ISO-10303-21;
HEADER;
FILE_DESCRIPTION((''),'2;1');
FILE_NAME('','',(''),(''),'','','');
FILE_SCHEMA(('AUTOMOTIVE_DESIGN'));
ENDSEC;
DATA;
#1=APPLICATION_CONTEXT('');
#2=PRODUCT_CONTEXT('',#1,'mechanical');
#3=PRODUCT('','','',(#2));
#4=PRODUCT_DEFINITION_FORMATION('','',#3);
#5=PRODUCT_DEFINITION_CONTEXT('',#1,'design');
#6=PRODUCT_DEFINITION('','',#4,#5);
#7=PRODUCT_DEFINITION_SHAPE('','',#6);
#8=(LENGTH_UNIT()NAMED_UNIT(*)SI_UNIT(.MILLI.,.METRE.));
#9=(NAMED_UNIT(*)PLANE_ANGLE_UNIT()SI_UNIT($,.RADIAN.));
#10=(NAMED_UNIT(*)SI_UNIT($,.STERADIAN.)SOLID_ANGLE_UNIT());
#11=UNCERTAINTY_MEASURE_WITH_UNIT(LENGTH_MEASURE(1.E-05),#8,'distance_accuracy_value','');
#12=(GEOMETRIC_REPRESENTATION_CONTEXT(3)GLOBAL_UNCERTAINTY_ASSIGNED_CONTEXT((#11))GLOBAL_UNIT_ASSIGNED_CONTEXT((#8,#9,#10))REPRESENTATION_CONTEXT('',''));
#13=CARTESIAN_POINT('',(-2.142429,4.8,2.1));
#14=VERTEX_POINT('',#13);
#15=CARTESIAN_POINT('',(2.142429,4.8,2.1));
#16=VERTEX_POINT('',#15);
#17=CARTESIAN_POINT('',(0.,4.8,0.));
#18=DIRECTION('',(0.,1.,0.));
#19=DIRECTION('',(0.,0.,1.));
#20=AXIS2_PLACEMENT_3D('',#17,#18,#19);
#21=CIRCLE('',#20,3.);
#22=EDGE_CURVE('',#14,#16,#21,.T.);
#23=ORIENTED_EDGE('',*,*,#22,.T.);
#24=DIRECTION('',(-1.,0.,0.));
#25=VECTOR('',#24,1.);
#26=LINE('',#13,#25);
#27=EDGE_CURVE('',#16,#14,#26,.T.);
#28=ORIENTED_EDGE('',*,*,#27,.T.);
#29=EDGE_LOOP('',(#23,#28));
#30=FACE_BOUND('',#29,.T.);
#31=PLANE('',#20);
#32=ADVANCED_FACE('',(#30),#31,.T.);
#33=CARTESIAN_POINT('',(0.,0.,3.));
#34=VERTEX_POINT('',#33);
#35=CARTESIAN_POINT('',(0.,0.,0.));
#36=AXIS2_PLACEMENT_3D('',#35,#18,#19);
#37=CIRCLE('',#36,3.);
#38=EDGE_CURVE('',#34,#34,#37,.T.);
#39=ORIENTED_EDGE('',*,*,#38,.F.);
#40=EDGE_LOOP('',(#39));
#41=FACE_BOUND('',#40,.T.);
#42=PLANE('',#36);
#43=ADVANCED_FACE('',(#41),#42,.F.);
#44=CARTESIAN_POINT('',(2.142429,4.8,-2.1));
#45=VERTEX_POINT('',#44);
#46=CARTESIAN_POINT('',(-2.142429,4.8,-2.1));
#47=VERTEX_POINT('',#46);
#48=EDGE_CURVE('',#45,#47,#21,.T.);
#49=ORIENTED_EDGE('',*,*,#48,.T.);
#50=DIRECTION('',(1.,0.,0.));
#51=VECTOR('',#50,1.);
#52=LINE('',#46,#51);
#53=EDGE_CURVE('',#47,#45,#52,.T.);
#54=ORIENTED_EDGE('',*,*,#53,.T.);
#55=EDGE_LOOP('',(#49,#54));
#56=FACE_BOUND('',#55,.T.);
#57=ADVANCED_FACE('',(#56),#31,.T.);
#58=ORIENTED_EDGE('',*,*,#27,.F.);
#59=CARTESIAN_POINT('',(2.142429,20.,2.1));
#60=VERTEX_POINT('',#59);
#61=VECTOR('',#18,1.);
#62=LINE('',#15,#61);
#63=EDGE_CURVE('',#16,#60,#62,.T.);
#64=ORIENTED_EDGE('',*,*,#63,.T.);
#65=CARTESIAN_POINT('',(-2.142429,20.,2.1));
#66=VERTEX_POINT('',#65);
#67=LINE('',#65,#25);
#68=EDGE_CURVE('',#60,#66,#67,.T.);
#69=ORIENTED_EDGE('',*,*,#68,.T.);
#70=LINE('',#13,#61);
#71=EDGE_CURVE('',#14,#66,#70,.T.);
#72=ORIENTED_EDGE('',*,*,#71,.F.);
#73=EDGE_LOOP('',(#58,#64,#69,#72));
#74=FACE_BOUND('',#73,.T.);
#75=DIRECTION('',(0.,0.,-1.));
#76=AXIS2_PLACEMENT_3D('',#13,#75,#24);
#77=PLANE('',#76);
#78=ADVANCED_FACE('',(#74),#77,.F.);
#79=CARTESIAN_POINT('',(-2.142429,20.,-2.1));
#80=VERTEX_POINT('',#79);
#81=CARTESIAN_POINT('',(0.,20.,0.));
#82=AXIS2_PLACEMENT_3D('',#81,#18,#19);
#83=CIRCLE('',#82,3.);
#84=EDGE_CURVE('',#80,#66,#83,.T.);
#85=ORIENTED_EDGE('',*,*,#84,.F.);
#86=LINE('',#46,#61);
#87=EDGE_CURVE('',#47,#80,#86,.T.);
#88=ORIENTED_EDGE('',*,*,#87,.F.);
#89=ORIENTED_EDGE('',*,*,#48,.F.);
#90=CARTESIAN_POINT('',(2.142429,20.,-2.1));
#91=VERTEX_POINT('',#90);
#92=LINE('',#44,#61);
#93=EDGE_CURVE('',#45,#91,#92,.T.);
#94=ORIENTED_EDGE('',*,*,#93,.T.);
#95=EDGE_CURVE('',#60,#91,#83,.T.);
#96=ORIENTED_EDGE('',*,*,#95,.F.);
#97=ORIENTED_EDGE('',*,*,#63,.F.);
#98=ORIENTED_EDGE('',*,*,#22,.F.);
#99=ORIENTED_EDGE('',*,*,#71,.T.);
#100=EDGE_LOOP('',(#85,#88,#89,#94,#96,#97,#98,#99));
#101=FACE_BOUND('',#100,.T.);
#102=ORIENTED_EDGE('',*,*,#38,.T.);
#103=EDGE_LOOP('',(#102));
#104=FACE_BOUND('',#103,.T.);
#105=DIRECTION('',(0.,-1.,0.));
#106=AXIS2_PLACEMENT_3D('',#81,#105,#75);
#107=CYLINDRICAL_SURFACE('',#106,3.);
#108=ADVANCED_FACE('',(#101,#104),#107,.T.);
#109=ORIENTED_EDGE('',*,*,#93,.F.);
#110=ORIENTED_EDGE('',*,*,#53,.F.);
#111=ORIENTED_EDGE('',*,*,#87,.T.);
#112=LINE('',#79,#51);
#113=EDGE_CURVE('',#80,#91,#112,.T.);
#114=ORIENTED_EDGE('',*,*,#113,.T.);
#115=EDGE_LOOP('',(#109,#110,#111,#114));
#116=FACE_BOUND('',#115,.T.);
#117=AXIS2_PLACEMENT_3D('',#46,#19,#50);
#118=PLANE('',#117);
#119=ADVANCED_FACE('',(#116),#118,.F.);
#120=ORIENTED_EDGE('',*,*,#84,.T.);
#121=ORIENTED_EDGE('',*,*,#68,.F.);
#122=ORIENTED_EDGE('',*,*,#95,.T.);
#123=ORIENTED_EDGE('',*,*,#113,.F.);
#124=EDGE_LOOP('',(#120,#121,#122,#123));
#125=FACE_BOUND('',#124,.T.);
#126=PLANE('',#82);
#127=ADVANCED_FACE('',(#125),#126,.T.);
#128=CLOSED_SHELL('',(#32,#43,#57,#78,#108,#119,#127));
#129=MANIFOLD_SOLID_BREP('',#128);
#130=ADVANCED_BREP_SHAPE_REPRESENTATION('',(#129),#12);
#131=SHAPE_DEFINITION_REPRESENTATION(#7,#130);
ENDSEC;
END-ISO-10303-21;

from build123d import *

# Parameters (mm, degrees)
SKETCH_1_R          = 3
EXTRUDE_1_DEPTH     = 20
CUT_EXTRUDE_START   = -15.2
CUT_EXTRUDE_2_DEPTH = 15.2


with BuildPart() as part:
    # 草图1 → 凸台-拉伸1 (new body)
    with BuildSketch(Plane(origin=(0, 0, 0), x_dir=(1, 0, 0), z_dir=(0, 1, 0))):
        with Locations(Location((0, 0, 0), (0, 0, 270))):
            Circle(SKETCH_1_R)
    extrude(amount=EXTRUDE_1_DEPTH)

    # 草图2 → 切除-拉伸2 (cut)
    with BuildSketch(Plane(origin=(0, 20, 0), x_dir=(1, 0, 0), z_dir=(0, 1, 0)).offset(CUT_EXTRUDE_START)):
        with BuildLine():
            Line((-2.142428529, 2.1), (2.142428529, 2.1))
            ThreePointArc((2.142428529, 2.1), (0, 3), (-2.142428529, 2.1))
        make_face()
        with BuildLine():
            Line((-2.142428529, -2.1), (2.142428529, -2.1))
            ThreePointArc((2.142428529, -2.1), (0, -3), (-2.142428529, -2.1))
        make_face()
    extrude(amount=CUT_EXTRUDE_2_DEPTH, mode=Mode.SUBTRACT)


solid = part.part
